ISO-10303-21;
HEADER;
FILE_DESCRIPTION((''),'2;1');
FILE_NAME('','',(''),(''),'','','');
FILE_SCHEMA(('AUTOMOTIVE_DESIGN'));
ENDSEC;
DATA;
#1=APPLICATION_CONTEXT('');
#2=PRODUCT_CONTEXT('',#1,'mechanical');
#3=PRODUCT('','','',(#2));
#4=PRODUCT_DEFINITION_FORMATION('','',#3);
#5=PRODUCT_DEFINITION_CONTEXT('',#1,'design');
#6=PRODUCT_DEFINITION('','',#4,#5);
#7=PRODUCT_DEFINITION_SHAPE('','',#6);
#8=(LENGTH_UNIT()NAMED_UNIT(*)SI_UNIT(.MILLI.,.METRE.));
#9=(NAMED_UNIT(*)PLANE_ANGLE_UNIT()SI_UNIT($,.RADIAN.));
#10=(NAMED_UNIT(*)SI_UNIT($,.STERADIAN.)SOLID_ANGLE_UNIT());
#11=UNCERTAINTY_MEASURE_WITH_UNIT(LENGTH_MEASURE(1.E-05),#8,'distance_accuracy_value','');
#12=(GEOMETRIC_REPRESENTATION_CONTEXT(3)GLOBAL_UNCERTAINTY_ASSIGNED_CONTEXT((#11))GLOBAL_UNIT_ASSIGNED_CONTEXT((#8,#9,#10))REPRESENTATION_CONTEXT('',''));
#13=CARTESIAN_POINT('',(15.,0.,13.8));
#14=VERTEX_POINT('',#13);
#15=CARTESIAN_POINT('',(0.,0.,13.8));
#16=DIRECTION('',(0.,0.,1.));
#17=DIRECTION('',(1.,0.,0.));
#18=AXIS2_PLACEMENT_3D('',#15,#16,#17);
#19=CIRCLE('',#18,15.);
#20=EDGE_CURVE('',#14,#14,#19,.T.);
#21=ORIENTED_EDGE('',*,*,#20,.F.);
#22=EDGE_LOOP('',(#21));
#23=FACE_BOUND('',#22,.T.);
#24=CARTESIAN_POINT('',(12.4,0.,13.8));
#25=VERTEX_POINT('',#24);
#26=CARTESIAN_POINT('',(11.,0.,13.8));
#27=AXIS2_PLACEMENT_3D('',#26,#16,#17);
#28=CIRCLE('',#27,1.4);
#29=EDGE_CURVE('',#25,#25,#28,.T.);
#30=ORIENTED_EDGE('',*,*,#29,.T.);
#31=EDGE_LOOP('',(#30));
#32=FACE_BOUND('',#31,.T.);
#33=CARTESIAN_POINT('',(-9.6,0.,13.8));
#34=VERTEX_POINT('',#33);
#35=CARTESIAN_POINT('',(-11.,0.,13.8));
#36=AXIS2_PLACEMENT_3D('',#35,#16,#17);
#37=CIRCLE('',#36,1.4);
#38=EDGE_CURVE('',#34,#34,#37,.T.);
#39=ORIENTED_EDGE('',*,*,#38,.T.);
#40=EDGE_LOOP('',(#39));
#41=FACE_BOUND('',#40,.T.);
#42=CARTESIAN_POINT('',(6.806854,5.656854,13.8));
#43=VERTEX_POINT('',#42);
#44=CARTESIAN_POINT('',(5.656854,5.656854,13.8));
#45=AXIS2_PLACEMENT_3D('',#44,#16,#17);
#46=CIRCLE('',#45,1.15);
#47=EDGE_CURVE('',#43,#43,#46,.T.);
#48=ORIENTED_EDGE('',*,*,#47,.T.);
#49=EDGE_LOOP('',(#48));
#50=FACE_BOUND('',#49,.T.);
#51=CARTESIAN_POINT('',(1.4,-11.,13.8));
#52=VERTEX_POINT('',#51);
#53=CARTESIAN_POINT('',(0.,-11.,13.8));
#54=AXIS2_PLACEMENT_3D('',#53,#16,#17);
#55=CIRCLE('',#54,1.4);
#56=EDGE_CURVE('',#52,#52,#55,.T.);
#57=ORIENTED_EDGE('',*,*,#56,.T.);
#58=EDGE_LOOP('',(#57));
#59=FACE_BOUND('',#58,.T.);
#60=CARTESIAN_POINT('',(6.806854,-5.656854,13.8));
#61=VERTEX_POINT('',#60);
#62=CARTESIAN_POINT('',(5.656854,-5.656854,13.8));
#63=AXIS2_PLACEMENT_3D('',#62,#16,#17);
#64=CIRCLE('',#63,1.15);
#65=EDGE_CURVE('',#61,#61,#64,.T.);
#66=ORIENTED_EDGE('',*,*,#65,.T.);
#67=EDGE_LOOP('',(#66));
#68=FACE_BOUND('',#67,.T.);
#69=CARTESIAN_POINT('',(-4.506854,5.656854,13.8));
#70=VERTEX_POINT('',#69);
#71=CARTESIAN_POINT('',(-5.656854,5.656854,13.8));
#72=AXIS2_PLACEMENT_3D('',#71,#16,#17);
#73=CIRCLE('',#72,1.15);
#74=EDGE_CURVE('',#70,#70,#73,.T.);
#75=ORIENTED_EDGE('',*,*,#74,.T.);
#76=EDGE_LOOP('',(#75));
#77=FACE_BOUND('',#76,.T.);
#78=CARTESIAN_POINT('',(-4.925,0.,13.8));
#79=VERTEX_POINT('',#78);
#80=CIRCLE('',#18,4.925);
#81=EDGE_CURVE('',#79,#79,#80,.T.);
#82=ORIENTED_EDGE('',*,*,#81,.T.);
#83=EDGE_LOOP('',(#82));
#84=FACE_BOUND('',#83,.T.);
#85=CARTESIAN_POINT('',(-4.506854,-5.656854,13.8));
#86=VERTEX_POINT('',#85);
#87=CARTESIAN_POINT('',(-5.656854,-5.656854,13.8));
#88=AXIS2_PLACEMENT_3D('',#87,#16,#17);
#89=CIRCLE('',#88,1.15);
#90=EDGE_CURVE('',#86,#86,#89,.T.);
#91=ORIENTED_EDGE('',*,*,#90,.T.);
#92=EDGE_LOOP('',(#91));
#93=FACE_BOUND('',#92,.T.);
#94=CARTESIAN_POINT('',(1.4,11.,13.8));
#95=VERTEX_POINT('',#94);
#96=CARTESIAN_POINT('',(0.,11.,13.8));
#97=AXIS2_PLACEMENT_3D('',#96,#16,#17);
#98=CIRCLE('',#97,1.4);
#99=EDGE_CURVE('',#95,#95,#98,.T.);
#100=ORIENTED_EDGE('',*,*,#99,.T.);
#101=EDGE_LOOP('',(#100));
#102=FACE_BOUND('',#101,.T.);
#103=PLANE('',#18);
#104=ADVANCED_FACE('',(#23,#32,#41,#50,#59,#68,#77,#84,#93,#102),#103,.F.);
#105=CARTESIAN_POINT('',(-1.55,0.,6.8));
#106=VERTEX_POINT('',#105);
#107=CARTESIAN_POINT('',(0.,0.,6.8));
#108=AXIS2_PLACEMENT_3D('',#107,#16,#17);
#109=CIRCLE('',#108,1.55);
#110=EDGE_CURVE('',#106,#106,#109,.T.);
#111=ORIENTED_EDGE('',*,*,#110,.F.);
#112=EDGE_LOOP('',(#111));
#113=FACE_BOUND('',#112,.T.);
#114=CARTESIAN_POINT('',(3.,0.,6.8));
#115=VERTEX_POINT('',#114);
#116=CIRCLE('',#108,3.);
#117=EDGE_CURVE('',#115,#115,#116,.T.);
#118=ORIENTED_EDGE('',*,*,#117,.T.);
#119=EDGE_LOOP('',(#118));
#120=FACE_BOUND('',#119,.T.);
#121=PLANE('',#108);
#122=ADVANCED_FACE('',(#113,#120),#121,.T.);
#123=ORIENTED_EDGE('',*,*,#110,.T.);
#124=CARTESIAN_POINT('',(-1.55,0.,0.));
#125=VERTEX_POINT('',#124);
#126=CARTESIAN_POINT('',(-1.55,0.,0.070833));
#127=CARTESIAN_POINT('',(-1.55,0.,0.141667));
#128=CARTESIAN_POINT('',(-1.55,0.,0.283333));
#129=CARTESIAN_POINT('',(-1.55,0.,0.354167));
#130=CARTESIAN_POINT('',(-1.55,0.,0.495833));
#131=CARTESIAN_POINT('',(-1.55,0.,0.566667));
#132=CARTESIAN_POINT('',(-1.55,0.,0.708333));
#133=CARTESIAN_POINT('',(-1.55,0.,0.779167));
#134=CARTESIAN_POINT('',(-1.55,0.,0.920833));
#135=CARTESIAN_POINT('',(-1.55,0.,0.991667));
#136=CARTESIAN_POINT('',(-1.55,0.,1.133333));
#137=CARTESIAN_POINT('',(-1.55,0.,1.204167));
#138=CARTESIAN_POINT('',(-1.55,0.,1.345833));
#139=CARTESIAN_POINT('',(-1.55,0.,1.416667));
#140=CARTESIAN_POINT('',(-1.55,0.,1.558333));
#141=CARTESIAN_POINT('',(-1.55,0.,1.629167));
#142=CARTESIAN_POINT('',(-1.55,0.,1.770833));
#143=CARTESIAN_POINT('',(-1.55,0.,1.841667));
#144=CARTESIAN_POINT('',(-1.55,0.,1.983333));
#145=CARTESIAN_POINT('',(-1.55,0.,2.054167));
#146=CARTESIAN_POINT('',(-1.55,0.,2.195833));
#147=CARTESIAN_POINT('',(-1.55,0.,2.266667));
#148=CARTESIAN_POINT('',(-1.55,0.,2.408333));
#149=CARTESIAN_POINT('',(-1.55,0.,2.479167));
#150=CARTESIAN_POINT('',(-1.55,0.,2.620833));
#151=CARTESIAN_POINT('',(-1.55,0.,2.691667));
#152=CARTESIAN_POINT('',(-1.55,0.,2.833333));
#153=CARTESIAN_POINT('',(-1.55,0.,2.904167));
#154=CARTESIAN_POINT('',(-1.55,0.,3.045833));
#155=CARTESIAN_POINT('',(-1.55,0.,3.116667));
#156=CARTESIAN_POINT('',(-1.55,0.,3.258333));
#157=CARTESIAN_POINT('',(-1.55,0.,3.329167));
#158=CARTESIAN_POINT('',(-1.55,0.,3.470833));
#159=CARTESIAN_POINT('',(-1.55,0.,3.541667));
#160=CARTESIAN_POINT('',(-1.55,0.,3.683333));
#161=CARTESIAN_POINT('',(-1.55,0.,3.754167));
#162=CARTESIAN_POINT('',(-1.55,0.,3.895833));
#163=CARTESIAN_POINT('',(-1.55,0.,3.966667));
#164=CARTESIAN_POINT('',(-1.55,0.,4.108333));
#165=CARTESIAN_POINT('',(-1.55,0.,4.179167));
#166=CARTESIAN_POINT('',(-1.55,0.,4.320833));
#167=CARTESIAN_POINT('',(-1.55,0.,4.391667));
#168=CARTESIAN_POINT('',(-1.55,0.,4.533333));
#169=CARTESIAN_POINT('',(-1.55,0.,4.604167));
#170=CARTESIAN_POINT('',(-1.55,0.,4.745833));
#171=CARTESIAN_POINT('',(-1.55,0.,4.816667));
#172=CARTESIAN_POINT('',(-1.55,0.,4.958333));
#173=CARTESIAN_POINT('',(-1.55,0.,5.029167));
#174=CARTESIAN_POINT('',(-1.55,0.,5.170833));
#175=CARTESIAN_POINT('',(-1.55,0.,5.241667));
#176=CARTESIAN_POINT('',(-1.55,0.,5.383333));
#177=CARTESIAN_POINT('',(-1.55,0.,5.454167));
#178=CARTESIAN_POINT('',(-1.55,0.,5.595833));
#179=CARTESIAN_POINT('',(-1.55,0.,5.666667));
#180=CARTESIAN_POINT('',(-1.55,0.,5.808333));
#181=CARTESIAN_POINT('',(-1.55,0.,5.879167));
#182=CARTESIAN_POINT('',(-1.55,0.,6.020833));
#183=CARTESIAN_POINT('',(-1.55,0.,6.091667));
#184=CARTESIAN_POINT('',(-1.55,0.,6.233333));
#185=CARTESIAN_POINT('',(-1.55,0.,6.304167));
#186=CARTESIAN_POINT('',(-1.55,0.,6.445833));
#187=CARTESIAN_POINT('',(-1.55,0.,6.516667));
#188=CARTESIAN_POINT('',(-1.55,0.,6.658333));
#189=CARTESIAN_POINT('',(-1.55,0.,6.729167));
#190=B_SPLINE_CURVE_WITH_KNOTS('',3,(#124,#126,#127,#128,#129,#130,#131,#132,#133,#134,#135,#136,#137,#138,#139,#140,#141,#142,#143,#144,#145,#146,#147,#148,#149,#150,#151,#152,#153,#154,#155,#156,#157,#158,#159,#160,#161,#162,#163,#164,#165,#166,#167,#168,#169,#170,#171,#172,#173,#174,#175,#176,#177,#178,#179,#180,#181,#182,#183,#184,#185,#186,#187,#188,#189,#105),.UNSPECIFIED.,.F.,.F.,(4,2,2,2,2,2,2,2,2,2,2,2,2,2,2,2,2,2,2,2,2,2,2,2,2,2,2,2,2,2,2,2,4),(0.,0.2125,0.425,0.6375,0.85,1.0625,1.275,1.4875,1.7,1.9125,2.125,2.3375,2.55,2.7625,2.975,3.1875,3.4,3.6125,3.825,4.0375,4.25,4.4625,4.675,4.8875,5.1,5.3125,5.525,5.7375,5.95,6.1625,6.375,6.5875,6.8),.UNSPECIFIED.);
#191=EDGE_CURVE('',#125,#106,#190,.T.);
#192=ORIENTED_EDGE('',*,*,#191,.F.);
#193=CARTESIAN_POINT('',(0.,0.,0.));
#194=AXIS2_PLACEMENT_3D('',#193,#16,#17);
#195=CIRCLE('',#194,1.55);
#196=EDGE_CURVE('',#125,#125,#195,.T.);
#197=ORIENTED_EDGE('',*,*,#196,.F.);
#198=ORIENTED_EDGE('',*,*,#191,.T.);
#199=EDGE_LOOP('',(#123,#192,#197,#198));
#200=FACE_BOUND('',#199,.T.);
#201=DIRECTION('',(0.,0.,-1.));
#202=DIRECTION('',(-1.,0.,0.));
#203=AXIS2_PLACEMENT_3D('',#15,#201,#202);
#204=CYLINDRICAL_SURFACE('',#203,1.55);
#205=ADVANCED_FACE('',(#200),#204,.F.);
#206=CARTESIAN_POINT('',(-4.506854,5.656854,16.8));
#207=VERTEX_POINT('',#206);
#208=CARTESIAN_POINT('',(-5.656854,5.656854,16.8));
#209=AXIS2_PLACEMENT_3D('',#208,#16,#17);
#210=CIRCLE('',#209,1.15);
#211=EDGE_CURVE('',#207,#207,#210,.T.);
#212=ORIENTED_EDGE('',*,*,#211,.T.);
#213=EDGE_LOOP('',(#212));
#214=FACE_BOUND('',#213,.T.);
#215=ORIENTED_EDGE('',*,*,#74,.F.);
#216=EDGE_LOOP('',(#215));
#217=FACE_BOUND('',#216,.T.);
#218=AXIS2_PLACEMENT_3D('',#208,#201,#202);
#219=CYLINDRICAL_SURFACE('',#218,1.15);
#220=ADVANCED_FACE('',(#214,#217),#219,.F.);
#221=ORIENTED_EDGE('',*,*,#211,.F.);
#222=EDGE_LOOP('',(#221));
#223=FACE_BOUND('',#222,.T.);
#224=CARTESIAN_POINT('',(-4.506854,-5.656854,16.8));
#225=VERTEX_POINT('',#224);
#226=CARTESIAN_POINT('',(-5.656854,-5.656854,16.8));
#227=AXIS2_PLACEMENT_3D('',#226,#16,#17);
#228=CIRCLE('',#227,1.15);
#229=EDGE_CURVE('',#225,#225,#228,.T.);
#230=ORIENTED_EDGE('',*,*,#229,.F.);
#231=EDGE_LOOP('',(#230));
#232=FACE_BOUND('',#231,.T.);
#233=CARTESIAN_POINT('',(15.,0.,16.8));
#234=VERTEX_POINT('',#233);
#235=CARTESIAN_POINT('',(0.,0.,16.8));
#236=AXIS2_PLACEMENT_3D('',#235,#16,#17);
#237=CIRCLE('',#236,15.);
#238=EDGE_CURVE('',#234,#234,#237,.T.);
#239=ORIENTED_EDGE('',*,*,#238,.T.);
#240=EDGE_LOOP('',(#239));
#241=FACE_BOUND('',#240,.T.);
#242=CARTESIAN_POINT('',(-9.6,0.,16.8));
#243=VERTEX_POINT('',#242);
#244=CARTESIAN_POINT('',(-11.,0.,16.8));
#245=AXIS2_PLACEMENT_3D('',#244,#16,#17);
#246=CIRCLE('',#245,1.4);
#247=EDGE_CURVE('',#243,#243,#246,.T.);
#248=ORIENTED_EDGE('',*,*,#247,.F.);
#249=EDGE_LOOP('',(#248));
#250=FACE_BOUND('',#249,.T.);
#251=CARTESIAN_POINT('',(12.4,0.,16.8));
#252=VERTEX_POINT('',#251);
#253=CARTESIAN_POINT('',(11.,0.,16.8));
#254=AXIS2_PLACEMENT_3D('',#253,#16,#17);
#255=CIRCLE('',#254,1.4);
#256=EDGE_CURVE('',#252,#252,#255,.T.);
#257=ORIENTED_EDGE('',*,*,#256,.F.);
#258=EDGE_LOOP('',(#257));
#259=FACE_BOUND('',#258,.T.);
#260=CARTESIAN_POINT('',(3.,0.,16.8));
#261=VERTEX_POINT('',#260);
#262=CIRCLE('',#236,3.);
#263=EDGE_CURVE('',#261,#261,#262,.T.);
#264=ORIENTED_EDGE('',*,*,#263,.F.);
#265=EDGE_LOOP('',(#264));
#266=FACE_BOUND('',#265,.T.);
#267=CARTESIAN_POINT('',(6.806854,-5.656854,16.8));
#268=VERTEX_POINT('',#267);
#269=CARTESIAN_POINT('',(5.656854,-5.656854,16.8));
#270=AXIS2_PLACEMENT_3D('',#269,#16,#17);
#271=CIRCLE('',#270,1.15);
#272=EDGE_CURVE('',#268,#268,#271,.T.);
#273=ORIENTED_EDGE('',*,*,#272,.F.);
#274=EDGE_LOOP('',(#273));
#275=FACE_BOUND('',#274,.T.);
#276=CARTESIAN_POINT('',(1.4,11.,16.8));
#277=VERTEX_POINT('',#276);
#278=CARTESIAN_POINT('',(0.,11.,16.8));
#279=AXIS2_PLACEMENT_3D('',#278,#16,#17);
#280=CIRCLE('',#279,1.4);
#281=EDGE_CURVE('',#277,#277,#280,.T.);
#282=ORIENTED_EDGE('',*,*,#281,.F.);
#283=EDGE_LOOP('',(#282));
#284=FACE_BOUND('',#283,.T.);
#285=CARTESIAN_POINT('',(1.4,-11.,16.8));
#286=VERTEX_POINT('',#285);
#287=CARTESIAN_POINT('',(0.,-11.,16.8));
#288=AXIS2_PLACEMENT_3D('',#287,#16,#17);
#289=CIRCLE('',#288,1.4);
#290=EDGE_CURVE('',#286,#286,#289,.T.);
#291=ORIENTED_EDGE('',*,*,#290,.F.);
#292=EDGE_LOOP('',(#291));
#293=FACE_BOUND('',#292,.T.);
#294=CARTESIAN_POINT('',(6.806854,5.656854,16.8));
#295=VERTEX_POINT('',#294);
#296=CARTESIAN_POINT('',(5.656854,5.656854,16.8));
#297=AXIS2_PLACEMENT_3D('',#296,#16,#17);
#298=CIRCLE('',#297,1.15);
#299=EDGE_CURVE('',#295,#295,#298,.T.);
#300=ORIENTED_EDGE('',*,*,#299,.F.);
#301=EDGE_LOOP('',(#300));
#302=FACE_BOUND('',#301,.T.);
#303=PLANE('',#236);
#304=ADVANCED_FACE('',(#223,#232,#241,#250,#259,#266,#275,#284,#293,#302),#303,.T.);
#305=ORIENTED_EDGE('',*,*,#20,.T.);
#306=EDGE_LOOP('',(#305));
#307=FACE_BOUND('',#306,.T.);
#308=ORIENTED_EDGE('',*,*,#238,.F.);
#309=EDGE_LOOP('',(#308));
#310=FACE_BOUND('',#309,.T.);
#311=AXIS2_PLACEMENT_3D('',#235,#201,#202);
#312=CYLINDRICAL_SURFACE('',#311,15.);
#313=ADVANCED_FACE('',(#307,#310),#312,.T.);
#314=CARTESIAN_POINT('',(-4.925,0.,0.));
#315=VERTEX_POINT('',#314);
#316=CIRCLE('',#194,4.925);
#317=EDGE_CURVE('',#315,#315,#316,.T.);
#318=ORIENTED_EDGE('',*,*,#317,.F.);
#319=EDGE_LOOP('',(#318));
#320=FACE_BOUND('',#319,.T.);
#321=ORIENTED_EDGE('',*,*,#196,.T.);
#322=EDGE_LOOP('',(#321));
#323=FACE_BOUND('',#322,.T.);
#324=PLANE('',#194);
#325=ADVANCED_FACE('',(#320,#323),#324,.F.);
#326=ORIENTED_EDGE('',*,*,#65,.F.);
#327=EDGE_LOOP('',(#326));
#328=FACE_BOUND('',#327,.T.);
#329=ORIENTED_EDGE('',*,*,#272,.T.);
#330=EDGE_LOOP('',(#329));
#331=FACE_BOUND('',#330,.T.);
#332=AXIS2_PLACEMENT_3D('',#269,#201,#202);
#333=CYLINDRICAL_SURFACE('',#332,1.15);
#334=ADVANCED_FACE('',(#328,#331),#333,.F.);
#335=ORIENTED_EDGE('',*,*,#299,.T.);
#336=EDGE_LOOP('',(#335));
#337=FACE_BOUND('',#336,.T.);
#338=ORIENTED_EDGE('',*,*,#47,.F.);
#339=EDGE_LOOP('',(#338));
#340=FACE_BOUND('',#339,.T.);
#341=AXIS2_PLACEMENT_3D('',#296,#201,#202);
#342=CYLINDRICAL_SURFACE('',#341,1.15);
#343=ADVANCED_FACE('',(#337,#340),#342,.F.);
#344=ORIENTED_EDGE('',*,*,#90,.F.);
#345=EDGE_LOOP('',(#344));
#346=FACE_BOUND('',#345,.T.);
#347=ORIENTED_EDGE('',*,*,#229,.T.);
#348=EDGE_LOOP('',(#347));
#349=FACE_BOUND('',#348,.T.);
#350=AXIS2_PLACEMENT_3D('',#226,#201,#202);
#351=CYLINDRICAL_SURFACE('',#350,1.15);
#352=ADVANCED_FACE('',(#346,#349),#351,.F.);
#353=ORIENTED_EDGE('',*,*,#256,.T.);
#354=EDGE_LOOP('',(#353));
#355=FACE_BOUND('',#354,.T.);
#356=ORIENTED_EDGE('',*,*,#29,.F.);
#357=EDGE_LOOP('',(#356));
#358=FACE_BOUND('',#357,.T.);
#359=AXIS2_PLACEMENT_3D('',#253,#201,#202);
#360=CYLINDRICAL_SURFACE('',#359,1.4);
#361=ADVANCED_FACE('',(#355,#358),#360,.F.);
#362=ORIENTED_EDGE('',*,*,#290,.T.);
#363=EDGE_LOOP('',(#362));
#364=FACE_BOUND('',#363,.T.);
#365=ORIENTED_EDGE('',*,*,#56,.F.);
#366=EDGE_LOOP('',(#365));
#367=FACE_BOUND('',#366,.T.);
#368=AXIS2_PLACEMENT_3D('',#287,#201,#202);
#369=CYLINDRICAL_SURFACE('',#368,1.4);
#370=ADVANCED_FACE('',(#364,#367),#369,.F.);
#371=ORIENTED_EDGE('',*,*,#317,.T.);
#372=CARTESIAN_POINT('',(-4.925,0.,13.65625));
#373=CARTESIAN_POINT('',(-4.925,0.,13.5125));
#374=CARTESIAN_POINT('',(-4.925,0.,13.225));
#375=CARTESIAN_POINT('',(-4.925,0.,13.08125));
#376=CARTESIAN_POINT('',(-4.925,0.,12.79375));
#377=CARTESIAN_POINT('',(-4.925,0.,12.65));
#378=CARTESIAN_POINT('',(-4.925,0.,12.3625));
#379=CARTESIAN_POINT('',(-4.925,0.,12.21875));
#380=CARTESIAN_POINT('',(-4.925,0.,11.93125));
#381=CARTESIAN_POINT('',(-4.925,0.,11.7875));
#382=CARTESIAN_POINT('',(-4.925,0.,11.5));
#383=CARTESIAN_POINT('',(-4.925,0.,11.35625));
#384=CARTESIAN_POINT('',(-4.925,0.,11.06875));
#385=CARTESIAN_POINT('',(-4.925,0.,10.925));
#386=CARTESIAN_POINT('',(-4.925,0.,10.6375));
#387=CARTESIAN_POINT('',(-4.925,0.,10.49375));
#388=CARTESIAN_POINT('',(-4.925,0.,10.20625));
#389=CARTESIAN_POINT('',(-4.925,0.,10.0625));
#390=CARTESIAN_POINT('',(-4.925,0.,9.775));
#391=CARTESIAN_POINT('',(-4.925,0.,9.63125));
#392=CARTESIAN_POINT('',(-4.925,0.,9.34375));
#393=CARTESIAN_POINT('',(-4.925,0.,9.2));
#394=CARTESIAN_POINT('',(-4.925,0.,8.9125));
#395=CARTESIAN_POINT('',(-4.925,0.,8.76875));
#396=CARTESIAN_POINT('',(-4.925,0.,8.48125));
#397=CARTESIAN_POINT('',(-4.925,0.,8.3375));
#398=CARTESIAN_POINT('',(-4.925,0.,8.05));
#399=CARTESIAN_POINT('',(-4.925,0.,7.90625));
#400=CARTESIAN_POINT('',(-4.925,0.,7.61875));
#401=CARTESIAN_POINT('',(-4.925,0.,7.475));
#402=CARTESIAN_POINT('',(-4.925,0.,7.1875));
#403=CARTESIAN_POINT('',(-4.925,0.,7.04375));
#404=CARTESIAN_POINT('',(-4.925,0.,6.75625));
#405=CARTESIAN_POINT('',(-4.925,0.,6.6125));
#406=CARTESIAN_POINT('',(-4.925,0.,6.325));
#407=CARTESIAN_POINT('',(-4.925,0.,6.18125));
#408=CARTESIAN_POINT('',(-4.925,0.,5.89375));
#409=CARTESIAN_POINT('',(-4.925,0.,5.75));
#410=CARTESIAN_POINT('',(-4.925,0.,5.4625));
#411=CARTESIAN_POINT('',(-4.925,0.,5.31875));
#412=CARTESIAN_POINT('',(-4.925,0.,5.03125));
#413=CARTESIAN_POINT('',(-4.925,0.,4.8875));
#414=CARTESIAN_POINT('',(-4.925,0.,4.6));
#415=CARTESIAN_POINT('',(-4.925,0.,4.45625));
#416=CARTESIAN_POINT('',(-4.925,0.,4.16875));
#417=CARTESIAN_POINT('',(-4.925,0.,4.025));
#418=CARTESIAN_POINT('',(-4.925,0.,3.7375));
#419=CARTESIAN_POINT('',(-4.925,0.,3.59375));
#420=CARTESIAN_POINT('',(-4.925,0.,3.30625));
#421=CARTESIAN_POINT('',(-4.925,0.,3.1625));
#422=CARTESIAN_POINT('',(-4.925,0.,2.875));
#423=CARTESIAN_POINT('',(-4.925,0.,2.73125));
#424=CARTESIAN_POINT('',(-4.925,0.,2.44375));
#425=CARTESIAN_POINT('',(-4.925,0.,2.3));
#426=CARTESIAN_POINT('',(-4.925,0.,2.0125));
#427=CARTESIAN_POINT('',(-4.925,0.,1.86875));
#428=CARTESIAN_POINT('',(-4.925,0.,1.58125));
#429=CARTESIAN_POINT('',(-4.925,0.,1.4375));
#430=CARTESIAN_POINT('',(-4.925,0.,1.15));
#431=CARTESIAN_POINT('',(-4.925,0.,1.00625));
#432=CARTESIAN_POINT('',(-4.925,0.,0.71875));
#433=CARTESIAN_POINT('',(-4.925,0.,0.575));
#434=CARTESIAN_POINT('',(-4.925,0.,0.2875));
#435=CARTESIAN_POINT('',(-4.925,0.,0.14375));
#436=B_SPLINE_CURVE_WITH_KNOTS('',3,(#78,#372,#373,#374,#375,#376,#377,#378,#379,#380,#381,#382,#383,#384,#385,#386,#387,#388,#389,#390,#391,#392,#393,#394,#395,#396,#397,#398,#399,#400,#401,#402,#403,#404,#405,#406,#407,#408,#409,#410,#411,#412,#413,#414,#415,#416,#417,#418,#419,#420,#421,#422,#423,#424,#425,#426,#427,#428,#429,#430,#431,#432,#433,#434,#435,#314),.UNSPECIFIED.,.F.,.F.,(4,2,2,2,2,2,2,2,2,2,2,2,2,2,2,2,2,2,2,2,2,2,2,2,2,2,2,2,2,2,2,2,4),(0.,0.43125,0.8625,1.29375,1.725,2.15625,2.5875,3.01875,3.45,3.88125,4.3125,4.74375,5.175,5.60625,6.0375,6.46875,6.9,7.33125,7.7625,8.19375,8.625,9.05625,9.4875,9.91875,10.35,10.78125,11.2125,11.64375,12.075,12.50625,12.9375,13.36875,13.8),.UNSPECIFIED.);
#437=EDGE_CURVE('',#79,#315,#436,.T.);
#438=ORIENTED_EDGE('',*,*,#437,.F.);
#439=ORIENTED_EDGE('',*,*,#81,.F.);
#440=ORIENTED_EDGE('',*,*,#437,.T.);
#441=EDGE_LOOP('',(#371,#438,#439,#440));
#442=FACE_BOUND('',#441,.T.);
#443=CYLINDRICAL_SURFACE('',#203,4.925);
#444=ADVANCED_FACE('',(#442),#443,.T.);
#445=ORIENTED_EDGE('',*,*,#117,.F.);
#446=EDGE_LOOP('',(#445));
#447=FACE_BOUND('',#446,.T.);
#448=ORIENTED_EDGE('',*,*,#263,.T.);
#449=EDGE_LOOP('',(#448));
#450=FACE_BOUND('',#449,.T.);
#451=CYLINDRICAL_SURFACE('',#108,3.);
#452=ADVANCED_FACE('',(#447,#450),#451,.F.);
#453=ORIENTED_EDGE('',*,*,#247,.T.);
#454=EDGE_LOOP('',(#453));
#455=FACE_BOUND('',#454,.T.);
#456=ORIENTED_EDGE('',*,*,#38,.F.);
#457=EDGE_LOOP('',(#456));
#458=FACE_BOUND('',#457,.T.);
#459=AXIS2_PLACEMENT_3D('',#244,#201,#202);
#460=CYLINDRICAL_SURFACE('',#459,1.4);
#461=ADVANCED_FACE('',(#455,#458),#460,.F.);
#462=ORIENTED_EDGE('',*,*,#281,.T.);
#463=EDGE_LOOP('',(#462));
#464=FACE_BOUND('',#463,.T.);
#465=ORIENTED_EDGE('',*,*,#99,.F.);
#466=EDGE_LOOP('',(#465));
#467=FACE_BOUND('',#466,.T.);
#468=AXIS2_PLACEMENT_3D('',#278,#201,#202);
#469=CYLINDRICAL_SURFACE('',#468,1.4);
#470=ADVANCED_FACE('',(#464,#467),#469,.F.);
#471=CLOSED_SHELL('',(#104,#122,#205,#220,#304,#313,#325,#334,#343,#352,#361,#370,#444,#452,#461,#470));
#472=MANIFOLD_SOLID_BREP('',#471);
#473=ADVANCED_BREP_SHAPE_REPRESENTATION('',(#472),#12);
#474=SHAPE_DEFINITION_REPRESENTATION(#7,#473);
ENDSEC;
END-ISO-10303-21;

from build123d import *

# Parameters (mm, degrees)
SKETCH_1_R          = 4.925
SKETCH_1_R_2        = 1.55
EXTRUDE_1_DEPTH     = 13.8
SKETCH_2_R          = 15
SKETCH_2_R_2        = 1.4
SKETCH_2_R_3        = 1.15
SKETCH_2_R_4        = 1.55
EXTRUDE_2_DEPTH     = 3
SKETCH_3_R          = 3
CUT_EXTRUDE_1_DEPTH = 10


with BuildPart() as part:
    # 草图1 → 凸台-拉伸1 (new body)
    with BuildSketch(Plane.XY):
        with Locations(Location((0, 0, 0), (0, 0, 180))):
            Circle(SKETCH_1_R)
        with Locations(Location((0, 0, 0), (0, 0, 180))):
            Circle(SKETCH_1_R_2, mode=Mode.SUBTRACT)
    extrude(amount=EXTRUDE_1_DEPTH)

    # 草图2 → 凸台-拉伸2 (add)
    with BuildSketch(Plane.XY.offset(13.8)):
        Circle(SKETCH_2_R)
        with Locations((-11, 0)):
            Circle(SKETCH_2_R_2, mode=Mode.SUBTRACT)
        with Locations((0, 11)):
            Circle(SKETCH_2_R_2, mode=Mode.SUBTRACT)
        with Locations((11, 0)):
            Circle(SKETCH_2_R_2, mode=Mode.SUBTRACT)
        with Locations((0, -11)):
            Circle(SKETCH_2_R_2, mode=Mode.SUBTRACT)
        with Locations((-5.656854249, 5.656854249)):
            Circle(SKETCH_2_R_3, mode=Mode.SUBTRACT)
        with Locations((5.656854249, 5.656854249)):
            Circle(SKETCH_2_R_3, mode=Mode.SUBTRACT)
        with Locations((5.656854249, -5.656854249)):
            Circle(SKETCH_2_R_3, mode=Mode.SUBTRACT)
        with Locations((-5.656854249, -5.656854249)):
            Circle(SKETCH_2_R_3, mode=Mode.SUBTRACT)
        with Locations(Location((0, 0, 0), (0, 0, 180))):
            Circle(SKETCH_2_R_4, mode=Mode.SUBTRACT)
    extrude(amount=EXTRUDE_2_DEPTH)

    # 草图3 → 切除-拉伸1 (cut)
    with BuildSketch(Plane.XY.offset(16.8)):
        Circle(SKETCH_3_R)
    extrude(amount=-CUT_EXTRUDE_1_DEPTH, mode=Mode.SUBTRACT)


solid = part.part
